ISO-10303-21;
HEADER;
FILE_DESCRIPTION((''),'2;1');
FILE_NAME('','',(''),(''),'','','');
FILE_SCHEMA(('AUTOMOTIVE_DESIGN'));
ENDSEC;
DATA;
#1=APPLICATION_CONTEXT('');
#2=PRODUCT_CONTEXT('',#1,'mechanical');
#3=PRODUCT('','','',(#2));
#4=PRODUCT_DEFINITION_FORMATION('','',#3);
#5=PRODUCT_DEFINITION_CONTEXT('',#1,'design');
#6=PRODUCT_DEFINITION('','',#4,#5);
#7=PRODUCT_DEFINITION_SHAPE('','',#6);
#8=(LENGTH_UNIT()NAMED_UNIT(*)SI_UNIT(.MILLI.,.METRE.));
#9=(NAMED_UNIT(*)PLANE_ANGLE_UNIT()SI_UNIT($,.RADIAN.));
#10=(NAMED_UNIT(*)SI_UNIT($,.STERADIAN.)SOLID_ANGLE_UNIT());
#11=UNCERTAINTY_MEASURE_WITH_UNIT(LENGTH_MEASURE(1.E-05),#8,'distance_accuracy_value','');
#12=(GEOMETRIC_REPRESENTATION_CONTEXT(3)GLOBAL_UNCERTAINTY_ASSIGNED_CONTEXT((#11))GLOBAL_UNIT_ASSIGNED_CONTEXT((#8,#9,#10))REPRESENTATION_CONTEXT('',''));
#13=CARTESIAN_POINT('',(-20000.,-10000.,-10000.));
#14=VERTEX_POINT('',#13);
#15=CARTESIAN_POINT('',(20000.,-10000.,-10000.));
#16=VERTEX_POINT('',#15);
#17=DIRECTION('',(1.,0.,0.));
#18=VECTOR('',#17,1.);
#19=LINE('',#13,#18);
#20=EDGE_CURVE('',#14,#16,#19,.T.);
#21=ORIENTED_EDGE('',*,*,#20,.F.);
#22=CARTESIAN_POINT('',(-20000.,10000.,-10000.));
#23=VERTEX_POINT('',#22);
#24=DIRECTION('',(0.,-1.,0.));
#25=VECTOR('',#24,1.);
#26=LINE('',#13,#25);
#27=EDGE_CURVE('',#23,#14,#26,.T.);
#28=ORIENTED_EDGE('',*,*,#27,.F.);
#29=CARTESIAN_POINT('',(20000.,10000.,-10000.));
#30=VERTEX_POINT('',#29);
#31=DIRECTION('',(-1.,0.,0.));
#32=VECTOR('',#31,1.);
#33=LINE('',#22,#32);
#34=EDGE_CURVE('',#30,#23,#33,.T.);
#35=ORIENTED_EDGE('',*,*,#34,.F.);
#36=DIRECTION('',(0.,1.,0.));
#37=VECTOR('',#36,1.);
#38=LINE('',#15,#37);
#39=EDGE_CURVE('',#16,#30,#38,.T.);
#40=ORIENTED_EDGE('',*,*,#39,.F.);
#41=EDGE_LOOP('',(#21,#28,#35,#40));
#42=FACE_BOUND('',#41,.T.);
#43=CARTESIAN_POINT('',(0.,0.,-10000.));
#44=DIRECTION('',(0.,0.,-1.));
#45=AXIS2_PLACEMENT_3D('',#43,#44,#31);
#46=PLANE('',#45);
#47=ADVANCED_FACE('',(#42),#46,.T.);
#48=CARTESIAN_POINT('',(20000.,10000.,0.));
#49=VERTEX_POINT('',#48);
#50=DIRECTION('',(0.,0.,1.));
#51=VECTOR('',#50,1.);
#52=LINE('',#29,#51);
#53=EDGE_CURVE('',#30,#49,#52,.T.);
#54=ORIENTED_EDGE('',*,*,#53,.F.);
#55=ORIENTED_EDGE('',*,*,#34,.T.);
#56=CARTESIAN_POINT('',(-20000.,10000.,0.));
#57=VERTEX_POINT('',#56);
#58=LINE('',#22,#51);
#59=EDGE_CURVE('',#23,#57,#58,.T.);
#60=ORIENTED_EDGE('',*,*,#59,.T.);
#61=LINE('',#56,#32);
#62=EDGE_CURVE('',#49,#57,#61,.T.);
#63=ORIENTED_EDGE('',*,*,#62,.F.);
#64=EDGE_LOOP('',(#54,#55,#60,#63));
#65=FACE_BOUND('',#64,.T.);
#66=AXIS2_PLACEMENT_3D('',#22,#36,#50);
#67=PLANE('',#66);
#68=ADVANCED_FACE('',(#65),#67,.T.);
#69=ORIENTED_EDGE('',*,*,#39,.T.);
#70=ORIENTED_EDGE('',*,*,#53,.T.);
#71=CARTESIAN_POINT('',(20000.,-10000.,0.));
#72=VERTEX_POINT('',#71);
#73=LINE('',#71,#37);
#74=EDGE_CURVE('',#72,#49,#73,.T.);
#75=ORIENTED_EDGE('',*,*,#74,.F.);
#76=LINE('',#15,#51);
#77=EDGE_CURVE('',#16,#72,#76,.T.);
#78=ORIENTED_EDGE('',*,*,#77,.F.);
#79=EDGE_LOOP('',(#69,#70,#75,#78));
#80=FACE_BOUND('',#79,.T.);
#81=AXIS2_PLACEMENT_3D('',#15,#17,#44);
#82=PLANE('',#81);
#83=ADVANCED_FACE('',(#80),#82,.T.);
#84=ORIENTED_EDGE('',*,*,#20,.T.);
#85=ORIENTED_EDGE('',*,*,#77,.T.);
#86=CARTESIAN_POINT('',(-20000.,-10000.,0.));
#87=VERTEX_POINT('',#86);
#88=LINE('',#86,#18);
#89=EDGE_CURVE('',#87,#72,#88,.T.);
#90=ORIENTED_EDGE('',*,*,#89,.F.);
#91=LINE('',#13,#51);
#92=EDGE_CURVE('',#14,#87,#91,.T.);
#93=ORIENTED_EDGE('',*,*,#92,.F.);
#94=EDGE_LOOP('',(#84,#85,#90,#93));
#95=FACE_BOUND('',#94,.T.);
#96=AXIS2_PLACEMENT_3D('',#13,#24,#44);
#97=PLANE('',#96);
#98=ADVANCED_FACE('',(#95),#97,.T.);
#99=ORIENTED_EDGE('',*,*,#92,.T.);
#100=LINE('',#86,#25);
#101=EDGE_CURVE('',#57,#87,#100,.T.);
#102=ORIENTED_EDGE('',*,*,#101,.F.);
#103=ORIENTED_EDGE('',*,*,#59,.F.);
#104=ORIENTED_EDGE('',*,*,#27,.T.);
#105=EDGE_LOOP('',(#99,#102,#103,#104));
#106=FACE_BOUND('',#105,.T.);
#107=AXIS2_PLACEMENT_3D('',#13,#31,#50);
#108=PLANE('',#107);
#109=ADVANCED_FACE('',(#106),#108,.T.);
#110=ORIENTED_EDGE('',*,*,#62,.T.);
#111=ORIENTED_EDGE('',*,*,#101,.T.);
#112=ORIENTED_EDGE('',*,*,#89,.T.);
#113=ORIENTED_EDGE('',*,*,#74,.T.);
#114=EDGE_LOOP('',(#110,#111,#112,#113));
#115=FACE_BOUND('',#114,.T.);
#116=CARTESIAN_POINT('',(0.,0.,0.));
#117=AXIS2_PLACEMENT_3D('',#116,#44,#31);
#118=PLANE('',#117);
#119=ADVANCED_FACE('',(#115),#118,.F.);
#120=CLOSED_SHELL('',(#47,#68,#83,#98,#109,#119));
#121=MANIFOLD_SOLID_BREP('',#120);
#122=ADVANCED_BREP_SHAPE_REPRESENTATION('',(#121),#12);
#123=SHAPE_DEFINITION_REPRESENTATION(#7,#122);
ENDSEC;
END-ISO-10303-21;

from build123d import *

# Parameters (mm, degrees)
SKETCH_1_W      = 40000
SKETCH_1_H      = 20000
EXTRUDE_1_DEPTH = 10000


with BuildPart() as part:
    # 草图1 → 凸台-拉伸1 (new body)
    with BuildSketch(Plane.XY):
        Rectangle(SKETCH_1_W, SKETCH_1_H)
    extrude(amount=-EXTRUDE_1_DEPTH)


solid = part.part
